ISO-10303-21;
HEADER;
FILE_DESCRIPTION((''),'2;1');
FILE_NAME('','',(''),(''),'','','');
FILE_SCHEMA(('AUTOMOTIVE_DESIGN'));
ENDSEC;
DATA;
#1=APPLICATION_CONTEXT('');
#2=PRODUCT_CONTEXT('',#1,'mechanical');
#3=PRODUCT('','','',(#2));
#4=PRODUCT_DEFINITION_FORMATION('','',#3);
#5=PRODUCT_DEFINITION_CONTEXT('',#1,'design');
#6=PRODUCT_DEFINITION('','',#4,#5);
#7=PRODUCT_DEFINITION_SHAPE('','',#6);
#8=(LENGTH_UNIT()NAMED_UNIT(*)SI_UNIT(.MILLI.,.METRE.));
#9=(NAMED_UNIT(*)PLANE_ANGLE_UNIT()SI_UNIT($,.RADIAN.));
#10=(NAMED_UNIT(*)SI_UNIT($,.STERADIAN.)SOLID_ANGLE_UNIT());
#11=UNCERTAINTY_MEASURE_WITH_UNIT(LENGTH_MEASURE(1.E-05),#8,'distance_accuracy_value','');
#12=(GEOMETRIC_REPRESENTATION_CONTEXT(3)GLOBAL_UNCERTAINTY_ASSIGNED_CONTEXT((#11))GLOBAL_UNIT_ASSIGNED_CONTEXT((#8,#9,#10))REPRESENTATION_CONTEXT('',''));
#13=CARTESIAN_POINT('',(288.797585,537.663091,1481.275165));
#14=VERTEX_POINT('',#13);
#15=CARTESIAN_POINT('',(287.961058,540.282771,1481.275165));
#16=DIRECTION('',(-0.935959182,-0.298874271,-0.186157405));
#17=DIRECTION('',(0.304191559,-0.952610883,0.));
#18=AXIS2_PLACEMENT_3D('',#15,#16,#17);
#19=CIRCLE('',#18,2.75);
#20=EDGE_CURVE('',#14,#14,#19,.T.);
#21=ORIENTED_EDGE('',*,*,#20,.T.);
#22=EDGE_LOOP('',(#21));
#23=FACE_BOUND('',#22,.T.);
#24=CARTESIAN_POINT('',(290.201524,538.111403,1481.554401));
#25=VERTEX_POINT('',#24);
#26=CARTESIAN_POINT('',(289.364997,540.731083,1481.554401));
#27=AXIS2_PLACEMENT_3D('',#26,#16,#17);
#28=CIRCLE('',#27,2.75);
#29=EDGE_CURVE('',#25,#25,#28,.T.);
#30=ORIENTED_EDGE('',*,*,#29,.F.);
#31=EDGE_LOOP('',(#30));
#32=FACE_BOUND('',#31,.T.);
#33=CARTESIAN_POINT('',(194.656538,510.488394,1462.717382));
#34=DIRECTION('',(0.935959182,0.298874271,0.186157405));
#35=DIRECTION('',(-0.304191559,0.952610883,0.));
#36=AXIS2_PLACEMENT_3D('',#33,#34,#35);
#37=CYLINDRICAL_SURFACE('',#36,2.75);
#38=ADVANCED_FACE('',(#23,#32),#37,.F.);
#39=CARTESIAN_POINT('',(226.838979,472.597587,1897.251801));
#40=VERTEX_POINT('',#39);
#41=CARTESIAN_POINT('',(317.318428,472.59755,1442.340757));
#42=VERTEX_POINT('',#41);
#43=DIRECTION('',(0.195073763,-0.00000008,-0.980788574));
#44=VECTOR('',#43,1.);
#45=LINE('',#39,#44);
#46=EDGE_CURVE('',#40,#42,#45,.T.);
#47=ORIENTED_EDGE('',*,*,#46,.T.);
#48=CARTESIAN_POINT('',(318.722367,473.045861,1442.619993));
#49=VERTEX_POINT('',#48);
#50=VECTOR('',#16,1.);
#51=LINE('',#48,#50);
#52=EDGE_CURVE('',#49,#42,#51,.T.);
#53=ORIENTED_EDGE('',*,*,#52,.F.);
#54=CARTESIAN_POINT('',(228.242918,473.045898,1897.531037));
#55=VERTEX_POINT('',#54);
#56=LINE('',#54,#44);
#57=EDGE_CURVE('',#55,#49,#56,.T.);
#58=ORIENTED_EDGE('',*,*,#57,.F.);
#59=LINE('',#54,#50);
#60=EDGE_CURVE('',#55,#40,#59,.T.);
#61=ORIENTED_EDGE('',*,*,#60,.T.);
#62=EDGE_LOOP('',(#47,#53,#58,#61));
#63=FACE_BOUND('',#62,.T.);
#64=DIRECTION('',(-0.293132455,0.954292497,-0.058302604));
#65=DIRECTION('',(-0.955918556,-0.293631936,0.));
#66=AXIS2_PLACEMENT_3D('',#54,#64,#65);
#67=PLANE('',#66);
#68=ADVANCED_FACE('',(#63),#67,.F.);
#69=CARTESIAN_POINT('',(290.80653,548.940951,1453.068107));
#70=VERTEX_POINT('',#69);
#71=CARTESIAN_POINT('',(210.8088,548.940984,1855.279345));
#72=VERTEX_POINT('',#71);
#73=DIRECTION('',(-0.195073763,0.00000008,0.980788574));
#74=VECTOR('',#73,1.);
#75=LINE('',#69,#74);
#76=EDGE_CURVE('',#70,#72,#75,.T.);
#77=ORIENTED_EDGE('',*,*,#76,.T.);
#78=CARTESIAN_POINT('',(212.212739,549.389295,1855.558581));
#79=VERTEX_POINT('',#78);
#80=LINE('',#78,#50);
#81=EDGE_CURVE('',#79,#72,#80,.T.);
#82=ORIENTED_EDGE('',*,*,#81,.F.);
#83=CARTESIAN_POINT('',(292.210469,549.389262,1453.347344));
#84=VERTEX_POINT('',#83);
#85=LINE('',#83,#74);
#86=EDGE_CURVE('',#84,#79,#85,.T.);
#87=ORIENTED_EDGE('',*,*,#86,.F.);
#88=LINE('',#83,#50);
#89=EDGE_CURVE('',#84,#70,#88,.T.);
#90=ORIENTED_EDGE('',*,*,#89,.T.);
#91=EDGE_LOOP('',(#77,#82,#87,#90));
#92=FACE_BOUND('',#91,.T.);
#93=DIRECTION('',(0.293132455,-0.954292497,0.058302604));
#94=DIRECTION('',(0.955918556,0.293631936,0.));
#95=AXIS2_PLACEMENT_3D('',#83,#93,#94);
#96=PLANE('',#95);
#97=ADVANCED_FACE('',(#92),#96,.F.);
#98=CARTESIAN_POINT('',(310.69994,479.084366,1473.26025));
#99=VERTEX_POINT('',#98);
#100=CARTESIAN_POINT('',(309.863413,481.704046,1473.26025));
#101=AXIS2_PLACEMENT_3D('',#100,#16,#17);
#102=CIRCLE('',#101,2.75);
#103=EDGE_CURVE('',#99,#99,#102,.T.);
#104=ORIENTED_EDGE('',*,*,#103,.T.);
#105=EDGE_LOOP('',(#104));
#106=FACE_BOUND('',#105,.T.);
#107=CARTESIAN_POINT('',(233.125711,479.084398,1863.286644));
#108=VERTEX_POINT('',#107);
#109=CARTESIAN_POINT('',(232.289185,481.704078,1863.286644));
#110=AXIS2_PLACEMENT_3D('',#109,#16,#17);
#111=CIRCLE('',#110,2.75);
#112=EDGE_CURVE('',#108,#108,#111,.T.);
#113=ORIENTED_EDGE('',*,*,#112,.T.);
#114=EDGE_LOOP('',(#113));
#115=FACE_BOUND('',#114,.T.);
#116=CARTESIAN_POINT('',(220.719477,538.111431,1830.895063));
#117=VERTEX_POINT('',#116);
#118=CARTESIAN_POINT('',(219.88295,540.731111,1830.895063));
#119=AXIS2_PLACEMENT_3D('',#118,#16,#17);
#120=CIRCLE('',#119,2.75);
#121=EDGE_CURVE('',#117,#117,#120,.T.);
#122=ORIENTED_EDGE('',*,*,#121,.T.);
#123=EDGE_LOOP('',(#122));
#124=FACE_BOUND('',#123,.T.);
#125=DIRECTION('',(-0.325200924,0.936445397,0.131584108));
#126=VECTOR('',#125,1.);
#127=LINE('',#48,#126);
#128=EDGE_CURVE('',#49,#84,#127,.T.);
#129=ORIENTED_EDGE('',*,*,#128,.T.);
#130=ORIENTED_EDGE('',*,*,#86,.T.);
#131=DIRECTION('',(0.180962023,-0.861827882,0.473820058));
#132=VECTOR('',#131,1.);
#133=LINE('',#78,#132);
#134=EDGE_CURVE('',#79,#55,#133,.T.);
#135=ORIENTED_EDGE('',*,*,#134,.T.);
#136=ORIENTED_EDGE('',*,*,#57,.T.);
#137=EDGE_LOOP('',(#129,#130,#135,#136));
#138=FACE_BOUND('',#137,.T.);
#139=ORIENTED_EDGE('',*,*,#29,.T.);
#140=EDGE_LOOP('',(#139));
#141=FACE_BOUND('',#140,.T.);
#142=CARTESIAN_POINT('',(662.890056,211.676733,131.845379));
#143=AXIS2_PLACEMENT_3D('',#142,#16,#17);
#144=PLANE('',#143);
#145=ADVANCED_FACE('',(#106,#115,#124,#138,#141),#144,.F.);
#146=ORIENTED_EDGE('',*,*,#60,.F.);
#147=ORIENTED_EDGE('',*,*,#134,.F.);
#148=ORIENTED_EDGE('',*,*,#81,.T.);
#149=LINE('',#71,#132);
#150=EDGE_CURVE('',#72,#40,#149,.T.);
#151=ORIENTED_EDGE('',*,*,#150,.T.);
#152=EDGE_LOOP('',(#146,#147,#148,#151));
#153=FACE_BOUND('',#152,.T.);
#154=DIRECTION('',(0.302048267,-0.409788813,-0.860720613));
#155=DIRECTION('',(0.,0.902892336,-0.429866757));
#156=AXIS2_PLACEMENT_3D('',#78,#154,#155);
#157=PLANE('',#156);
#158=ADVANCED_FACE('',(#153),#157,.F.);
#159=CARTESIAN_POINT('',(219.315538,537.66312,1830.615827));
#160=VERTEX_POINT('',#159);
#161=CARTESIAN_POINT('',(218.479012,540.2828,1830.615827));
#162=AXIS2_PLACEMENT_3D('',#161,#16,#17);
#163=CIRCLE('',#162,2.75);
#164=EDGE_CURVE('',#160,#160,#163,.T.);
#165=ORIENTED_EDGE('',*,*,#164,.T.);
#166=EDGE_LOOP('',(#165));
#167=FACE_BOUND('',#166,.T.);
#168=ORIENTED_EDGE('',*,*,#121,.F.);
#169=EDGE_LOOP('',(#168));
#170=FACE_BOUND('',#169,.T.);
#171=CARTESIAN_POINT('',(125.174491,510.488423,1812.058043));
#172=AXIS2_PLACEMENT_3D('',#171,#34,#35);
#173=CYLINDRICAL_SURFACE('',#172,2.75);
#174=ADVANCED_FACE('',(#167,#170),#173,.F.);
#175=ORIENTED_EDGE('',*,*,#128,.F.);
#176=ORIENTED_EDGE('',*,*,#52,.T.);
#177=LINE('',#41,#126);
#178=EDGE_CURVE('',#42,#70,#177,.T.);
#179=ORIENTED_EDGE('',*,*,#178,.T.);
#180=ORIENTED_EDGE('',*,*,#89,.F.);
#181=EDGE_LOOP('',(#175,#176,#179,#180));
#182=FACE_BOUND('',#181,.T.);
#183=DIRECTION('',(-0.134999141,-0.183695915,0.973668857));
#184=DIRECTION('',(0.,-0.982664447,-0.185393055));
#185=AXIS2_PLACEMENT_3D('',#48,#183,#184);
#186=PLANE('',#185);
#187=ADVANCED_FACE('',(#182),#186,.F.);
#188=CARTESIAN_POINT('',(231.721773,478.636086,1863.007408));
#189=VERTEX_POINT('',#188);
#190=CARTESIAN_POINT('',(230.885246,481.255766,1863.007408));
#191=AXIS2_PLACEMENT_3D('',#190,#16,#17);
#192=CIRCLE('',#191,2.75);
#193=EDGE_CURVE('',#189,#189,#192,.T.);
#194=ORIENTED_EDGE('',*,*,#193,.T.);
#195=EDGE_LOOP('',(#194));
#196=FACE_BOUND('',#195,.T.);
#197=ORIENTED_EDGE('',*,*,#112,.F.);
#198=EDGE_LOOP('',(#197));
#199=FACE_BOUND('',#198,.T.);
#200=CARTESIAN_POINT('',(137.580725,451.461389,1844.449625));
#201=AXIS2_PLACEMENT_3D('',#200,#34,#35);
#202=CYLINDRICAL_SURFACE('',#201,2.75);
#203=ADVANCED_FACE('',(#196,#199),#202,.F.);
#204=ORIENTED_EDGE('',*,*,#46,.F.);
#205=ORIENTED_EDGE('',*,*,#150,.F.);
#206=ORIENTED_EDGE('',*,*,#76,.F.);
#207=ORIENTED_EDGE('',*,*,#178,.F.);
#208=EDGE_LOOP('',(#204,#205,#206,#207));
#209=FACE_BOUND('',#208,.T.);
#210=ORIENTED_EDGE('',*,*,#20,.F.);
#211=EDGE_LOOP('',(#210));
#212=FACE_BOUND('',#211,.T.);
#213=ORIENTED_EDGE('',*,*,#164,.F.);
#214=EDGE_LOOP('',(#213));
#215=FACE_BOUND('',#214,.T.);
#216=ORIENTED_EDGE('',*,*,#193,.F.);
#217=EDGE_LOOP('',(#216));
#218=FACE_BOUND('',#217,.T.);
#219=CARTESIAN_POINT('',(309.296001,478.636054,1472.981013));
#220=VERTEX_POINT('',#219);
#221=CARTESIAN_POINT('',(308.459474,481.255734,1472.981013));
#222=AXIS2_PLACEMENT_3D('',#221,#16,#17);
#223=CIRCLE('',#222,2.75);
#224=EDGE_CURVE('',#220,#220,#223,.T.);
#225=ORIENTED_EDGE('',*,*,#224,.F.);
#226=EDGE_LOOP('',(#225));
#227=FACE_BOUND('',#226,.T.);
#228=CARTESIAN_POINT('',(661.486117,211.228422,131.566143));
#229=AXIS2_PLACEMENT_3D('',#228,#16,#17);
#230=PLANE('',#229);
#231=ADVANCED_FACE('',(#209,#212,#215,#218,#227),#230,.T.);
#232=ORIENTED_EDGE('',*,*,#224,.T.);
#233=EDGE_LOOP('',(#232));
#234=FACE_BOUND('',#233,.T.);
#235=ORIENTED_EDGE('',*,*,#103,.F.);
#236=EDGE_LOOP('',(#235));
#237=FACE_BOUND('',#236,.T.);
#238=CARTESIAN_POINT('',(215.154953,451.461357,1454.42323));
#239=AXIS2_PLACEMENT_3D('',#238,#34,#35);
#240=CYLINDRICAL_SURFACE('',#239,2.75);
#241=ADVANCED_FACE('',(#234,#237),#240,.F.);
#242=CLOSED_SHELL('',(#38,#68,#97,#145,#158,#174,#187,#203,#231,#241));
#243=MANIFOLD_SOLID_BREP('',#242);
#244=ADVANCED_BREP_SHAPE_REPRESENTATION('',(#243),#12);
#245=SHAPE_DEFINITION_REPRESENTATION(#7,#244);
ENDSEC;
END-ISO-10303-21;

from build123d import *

# Parameters (mm, degrees)
BOSS_EXTRUDE1_DEPTH     = 1.5
CUT_EXTRUDE1_DEPTH      = 1854.670636641
CUT_EXTRUDE1_DEPTH_BACK = 1854.670636641
SKETCH3_R               = 2.75


with BuildPart() as part:
    # Sketch1 → Boss-Extrude1 (new body)
    with BuildSketch(Plane(origin=(661.48611704, 211.228421756, 131.566142626), x_dir=(0.17733557040624817, 0.05662751143705051, -0.9825199338523047), z_dir=(0.9359591821601212, 0.2988742708017776, 0.1861574053935612))):
        Polygon((-1754.379878986, 458.800897928), (-1797.099069003, 381.199102072), (-1334.09467717, 353.67598202), (-1345.012878923, 434.466232238), align=None)
    extrude(amount=BOSS_EXTRUDE1_DEPTH)

    # Sketch3 → Cut-Extrude1 (cut, two sides: drawn at the far end of the back side and taken through both)
    with BuildSketch(Plane(origin=(661.48611704, 211.228421756, 131.566142626), x_dir=(0.17733557040624817, 0.05662751143705051, -0.9825199338523047), z_dir=(0.9359591821601212, 0.2988742708017776, 0.1861574053935612)).offset(-CUT_EXTRUDE1_DEPTH_BACK)):
        with Locations(Location((-1729.277570286, 448.219803938, 0), (0, 0, 270))):
            Circle(SKETCH3_R)
        with Locations(Location((-1762.245431769, 388.21613765, 0), (0, 0, 270))):
            Circle(SKETCH3_R)
        with Locations(Location((-1365.280056563, 364.618681835, 0), (0, 0, 270))):
            Circle(SKETCH3_R)
        with Locations(Location((-1373.721769773, 427.083924548, 0), (0, 0, 270))):
            Circle(SKETCH3_R)
    extrude(amount=CUT_EXTRUDE1_DEPTH + CUT_EXTRUDE1_DEPTH_BACK, mode=Mode.SUBTRACT)


solid = part.part
